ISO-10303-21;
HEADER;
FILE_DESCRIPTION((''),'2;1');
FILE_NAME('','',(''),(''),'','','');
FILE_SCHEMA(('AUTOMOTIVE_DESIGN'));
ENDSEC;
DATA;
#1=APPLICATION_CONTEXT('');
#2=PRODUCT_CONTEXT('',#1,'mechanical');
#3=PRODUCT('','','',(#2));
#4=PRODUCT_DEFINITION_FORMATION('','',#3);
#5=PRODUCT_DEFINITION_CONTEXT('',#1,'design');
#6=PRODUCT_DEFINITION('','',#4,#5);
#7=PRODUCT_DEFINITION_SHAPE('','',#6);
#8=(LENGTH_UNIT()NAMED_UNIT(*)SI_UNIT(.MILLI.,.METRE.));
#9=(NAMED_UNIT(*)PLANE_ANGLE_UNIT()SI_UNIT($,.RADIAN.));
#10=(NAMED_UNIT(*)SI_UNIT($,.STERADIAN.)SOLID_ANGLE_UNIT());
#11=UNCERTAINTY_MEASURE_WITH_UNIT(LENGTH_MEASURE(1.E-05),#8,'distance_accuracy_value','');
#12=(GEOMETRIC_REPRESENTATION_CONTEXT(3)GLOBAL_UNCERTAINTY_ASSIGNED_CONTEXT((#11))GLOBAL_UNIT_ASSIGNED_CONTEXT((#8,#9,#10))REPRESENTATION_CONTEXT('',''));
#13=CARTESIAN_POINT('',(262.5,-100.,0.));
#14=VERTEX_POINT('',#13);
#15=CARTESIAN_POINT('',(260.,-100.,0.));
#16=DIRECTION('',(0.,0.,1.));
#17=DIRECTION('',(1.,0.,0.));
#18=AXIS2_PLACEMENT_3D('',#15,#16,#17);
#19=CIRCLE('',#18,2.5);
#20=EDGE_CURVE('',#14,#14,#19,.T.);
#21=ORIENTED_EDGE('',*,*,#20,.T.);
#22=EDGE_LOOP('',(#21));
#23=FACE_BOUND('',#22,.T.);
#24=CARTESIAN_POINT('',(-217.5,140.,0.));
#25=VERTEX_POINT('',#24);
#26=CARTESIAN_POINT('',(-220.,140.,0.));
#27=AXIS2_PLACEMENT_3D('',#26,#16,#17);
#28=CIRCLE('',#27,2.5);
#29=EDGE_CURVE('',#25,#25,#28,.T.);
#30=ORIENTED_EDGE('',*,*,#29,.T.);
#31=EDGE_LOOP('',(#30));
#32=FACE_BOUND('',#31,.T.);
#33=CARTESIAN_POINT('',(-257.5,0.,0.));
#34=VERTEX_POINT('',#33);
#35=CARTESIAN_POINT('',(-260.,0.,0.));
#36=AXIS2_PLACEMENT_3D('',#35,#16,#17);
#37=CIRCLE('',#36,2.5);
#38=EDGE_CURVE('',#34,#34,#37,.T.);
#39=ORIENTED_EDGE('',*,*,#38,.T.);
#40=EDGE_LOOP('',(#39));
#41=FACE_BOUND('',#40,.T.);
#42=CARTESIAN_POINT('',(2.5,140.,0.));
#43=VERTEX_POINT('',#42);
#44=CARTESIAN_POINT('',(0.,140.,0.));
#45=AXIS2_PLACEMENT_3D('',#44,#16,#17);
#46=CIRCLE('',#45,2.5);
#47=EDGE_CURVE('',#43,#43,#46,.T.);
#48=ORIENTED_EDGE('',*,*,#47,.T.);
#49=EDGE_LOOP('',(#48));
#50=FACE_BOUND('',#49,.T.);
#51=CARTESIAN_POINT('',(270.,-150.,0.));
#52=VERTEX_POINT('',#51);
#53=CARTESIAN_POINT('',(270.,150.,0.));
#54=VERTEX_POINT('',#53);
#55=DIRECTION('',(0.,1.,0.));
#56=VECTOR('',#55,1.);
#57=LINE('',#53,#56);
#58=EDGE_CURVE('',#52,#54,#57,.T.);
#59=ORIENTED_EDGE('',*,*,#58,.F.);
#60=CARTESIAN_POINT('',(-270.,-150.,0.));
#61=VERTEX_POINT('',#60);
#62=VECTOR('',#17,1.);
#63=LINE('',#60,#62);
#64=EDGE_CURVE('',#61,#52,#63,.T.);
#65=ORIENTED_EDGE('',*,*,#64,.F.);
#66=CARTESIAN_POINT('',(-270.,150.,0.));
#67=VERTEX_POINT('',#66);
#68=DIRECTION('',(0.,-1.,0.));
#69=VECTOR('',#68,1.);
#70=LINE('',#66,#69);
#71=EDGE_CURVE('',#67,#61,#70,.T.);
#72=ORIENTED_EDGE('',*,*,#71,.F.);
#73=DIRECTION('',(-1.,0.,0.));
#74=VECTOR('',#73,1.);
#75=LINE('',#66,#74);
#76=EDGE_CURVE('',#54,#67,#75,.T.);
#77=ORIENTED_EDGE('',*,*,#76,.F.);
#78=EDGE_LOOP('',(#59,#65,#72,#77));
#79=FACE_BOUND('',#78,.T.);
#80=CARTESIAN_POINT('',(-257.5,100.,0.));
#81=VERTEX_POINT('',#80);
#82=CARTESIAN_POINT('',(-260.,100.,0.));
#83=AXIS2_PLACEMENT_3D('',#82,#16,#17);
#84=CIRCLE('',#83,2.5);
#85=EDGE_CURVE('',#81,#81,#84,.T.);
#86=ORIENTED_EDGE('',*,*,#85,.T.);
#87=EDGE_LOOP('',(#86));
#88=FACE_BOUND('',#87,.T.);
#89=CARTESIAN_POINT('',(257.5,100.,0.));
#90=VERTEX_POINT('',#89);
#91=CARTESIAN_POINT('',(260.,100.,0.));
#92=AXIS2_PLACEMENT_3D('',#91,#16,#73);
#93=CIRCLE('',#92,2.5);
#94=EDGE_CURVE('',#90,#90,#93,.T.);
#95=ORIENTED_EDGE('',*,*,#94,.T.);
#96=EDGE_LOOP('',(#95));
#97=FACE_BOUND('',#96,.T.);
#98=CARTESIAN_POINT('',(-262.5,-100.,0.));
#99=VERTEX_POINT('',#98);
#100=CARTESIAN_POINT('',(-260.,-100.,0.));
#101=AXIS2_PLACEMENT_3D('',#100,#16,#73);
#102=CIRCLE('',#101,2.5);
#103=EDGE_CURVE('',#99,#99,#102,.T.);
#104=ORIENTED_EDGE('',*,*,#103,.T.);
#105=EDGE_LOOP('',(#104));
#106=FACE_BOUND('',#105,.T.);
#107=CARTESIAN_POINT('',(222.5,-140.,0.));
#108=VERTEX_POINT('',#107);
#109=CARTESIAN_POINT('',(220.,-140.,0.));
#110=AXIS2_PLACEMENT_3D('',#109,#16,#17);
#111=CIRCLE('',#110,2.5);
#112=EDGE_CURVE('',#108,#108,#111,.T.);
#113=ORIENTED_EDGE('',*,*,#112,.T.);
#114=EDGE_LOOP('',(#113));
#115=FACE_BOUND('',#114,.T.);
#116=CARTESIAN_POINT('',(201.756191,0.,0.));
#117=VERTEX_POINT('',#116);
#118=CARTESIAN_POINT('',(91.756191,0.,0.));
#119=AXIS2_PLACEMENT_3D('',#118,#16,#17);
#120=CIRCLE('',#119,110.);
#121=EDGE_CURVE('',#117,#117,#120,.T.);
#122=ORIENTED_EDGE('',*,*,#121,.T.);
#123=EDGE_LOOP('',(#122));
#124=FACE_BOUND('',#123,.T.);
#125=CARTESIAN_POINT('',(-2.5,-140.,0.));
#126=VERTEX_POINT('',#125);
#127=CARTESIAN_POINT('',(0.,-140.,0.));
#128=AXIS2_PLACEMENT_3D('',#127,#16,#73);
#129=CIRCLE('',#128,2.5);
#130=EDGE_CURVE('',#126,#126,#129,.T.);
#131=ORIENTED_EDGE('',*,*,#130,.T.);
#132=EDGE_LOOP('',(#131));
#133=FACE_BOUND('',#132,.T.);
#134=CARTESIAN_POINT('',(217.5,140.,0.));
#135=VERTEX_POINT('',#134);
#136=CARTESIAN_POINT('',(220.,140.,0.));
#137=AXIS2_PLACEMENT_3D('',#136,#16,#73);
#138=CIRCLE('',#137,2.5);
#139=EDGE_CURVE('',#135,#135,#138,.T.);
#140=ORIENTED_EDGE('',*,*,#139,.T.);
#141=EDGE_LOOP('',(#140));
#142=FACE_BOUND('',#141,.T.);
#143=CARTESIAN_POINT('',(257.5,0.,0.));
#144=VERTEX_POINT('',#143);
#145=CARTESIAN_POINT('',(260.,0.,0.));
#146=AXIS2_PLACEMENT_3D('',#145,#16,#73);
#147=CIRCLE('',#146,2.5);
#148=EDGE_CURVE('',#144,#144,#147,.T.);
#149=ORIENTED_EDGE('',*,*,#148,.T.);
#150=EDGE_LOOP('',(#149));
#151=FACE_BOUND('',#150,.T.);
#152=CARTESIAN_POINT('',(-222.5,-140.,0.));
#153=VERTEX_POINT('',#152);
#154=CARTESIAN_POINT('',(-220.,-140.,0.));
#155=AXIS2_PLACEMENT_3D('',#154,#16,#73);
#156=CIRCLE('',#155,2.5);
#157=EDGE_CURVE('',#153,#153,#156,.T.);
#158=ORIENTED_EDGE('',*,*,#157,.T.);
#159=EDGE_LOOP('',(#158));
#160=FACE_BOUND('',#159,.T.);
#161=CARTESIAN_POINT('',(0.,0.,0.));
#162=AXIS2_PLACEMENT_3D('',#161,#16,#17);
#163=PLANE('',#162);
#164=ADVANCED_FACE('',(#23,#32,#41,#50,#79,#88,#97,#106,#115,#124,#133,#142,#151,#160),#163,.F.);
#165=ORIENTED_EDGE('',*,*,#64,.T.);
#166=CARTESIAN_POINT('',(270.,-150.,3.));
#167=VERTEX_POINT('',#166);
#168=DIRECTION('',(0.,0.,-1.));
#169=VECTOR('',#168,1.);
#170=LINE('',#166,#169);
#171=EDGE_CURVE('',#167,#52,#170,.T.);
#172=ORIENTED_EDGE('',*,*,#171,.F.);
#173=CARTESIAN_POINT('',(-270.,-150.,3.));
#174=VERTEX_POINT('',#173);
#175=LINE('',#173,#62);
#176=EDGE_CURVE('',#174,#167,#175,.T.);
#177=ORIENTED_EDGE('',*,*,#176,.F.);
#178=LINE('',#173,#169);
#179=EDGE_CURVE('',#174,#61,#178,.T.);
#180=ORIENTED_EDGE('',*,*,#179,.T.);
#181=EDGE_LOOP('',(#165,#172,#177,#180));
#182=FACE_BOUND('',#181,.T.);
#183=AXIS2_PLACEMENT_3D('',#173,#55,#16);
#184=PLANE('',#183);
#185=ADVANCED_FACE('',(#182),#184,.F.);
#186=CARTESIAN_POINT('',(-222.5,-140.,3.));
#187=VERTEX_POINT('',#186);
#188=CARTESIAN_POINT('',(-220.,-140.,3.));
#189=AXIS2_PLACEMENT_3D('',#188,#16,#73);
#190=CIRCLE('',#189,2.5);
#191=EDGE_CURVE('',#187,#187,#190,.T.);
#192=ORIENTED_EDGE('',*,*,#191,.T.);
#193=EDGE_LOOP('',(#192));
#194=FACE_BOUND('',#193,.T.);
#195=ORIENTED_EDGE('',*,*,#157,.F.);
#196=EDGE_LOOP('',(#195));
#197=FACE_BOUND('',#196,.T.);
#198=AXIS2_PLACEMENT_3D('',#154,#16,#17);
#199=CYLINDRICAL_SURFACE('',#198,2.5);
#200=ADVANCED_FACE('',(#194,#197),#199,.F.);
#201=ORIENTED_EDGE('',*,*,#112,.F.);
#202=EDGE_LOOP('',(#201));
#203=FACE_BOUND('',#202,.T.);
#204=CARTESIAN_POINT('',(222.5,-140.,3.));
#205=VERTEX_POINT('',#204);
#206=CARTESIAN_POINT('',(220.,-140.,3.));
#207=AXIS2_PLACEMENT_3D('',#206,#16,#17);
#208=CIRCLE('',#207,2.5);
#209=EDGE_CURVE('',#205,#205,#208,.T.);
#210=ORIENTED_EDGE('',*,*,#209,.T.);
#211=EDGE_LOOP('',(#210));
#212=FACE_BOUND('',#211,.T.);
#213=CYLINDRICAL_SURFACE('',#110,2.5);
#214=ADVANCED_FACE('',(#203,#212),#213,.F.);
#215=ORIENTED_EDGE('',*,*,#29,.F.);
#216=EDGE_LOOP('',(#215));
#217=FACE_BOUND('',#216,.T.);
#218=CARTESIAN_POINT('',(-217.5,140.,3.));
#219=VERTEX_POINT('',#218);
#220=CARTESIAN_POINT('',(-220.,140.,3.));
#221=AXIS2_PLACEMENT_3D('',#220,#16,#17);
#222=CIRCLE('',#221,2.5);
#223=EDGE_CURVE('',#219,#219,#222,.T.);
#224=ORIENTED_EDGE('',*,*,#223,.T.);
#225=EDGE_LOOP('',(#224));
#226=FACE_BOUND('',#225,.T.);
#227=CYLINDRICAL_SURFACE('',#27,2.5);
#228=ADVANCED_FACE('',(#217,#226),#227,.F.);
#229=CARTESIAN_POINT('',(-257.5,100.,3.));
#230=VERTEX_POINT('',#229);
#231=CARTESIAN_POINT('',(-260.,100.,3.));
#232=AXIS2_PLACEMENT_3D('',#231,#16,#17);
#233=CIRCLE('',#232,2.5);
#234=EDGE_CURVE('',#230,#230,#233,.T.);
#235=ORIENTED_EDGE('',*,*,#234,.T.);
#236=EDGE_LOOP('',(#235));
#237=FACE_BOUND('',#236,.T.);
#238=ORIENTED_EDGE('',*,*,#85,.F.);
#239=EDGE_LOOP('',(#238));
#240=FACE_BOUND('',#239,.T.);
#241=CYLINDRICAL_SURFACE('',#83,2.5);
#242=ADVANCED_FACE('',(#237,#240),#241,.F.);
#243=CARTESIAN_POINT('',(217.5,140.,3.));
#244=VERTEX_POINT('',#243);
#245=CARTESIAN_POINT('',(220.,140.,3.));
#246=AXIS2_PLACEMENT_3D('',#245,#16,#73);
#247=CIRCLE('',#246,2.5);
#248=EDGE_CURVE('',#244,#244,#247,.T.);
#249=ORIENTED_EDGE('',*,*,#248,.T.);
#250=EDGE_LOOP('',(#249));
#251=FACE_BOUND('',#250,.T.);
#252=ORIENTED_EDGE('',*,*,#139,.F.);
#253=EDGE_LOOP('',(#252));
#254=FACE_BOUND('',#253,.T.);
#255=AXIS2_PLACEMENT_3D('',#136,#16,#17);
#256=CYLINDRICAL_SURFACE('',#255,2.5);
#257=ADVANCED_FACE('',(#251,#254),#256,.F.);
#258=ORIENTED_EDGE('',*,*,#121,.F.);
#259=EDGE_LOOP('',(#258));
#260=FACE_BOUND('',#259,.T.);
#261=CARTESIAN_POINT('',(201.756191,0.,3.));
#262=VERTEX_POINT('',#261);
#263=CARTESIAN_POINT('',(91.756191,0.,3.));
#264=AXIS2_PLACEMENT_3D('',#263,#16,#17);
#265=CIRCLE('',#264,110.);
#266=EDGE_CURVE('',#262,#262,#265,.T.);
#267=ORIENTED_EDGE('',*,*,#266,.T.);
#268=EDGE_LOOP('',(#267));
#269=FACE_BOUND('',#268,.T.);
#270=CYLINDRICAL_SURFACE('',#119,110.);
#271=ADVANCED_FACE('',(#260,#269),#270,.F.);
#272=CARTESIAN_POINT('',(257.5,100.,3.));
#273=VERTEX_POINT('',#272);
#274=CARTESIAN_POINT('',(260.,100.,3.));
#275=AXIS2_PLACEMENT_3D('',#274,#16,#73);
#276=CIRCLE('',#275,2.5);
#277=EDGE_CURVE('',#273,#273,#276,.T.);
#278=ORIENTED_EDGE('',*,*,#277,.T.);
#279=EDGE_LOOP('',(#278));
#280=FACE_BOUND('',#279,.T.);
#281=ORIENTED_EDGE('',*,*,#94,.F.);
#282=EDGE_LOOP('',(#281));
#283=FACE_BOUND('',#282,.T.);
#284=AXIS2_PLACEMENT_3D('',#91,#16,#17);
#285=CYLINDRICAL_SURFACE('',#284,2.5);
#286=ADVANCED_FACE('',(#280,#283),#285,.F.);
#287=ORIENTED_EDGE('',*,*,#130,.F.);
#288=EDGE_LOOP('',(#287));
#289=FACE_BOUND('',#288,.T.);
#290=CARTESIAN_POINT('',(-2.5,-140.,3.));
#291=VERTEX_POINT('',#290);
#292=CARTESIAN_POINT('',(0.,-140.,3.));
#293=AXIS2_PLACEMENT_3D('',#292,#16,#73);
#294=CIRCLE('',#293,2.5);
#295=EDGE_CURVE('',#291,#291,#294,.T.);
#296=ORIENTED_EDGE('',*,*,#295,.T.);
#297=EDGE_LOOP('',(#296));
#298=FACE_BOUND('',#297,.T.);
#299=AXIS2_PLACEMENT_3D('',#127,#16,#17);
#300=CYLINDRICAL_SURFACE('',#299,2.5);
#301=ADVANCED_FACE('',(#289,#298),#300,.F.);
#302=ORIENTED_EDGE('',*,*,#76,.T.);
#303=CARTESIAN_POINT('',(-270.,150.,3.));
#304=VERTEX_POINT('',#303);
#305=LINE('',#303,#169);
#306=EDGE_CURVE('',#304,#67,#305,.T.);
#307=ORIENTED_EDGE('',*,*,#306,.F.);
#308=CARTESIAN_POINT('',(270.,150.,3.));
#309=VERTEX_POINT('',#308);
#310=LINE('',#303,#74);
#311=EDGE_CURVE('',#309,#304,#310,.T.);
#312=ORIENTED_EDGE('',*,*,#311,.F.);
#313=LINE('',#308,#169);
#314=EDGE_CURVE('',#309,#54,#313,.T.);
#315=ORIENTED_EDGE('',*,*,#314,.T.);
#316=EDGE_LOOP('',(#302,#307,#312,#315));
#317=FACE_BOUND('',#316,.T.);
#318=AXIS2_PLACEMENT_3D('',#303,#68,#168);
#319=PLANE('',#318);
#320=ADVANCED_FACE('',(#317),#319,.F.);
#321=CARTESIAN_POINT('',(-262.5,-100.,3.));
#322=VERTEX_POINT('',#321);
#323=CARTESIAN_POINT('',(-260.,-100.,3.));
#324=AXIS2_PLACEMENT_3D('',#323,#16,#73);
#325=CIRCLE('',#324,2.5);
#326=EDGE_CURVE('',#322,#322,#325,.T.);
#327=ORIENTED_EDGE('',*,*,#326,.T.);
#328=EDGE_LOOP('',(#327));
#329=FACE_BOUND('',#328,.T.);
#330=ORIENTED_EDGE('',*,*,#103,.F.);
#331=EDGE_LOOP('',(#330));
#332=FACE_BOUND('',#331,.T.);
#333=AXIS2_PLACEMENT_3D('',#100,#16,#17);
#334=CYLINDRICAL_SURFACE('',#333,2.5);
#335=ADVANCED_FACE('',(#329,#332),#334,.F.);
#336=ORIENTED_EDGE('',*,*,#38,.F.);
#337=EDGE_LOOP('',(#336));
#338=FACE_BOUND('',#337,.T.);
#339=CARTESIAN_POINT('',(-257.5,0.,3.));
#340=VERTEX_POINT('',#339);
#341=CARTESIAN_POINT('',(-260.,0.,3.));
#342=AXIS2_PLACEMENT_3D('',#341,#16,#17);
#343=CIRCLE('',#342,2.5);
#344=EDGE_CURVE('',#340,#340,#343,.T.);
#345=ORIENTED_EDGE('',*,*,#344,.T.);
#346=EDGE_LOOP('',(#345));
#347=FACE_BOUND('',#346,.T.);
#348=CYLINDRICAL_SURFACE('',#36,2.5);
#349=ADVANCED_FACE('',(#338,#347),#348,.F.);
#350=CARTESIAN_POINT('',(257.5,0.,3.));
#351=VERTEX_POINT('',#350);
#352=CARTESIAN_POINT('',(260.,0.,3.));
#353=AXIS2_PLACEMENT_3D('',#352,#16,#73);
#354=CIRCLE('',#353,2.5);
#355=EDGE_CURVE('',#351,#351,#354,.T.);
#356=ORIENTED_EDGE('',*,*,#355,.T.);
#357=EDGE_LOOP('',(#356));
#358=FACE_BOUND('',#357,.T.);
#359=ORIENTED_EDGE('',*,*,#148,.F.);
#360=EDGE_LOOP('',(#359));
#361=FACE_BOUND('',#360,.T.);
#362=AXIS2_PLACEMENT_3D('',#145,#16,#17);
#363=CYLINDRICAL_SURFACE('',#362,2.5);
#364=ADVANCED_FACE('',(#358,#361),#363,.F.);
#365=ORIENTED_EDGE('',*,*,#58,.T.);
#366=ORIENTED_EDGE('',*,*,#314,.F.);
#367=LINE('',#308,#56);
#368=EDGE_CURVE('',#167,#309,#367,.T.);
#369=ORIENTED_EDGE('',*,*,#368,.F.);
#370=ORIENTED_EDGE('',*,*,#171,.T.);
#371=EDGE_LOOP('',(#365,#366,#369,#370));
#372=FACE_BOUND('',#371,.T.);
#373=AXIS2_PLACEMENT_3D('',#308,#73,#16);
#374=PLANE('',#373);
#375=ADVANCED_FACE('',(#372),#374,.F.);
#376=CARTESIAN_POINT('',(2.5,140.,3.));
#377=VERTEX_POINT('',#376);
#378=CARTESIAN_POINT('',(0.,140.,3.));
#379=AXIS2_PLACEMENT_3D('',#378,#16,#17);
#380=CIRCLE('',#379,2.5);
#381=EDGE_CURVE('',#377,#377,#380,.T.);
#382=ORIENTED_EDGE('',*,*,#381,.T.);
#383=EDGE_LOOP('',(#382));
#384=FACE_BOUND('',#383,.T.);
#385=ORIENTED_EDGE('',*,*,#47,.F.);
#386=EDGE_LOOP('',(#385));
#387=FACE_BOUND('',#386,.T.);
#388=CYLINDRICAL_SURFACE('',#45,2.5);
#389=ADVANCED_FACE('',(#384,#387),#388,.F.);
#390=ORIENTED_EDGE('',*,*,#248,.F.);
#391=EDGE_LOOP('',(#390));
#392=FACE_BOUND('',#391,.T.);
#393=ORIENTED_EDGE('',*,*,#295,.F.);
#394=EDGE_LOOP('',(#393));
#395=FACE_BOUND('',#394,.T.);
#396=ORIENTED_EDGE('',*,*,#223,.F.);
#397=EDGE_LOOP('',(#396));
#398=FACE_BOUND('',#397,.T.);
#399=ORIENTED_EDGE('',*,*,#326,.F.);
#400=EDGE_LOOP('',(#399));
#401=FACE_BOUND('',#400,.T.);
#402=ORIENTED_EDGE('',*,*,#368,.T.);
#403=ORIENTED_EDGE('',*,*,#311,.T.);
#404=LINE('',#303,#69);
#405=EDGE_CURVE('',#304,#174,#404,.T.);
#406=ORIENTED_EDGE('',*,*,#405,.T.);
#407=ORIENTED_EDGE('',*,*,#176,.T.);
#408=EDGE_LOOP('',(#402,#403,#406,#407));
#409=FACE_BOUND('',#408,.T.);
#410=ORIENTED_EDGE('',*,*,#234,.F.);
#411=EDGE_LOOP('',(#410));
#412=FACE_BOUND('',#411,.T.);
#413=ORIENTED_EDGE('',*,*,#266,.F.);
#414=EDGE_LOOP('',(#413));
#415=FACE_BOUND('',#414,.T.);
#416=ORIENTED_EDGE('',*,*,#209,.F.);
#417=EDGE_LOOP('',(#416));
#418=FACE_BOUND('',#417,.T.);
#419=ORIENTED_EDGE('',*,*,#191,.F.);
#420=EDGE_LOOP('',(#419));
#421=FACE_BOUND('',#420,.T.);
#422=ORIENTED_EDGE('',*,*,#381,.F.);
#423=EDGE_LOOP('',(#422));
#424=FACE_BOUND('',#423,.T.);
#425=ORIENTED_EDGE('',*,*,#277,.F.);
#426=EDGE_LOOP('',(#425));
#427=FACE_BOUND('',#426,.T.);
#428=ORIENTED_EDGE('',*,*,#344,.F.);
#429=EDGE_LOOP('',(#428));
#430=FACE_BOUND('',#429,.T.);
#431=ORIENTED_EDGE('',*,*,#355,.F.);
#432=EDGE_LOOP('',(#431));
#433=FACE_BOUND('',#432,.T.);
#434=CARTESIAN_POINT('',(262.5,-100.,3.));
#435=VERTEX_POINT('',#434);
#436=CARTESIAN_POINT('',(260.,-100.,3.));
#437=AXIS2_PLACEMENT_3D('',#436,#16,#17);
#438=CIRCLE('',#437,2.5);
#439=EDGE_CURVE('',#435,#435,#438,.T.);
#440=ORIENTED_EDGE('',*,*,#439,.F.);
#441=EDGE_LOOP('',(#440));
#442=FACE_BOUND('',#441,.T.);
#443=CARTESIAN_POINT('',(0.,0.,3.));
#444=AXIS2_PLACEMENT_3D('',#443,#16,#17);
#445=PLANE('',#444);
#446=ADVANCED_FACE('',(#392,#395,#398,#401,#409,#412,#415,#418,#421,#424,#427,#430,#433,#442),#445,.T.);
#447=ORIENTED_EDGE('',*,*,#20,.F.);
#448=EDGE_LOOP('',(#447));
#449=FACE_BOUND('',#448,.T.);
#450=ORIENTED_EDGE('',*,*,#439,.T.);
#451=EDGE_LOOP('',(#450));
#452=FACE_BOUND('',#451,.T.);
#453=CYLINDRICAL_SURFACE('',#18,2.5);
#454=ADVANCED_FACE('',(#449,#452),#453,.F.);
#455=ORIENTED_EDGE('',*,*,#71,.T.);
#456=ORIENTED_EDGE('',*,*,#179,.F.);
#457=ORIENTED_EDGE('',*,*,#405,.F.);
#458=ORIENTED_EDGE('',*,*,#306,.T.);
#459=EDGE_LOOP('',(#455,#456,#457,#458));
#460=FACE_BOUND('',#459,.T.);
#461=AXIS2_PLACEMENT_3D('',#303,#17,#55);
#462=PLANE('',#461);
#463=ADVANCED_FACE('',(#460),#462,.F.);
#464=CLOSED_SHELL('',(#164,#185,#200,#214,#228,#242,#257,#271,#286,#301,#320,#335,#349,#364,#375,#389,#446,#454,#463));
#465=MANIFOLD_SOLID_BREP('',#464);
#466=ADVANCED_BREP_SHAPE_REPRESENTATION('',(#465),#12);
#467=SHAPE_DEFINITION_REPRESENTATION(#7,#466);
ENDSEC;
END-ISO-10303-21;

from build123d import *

# Parameters (mm, degrees)
CROQUIS1_W              = 540
CROQUIS1_H              = 300
SALIENTE_EXTRUIR1_DEPTH = 3
CROQUIS2_R              = 2.5
CORTAR_EXTRUIR1_DEPTH   = 4
CROQUIS3_R              = 110
CORTAR_EXTRUIR2_DEPTH   = 4


with BuildPart() as part:
    # Croquis1 → Saliente-Extruir1 (new body)
    with BuildSketch(Plane.XY):
        Rectangle(CROQUIS1_W, CROQUIS1_H)
    extrude(amount=SALIENTE_EXTRUIR1_DEPTH)

    # Croquis2 → Cortar-Extruir1 (cut, through all)
    with BuildSketch(Plane.XY.offset(3)):
        with Locations((0, 140)):
            Circle(CROQUIS2_R)
        with Locations((-220, 140)):
            Circle(CROQUIS2_R)
        with Locations((-260, 0)):
            Circle(CROQUIS2_R)
        with Locations((-260, 100)):
            Circle(CROQUIS2_R)
        with Locations((-260, -100)):
            Circle(CROQUIS2_R)
        with Locations((220, 140)):
            Circle(CROQUIS2_R)
        with Locations((260, -100)):
            Circle(CROQUIS2_R)
        with Locations((260, 0)):
            Circle(CROQUIS2_R)
        with Locations((260, 100)):
            Circle(CROQUIS2_R)
        with Locations((220, -140)):
            Circle(CROQUIS2_R)
        with Locations((0, -140)):
            Circle(CROQUIS2_R)
        with Locations((-220, -140)):
            Circle(CROQUIS2_R)
    extrude(amount=-CORTAR_EXTRUIR1_DEPTH, mode=Mode.SUBTRACT)

    # Croquis3 → Cortar-Extruir2 (cut, through all)
    with BuildSketch(Plane.XY.offset(3)):
        with Locations((91.756190819, 0)):
            Circle(CROQUIS3_R)
    extrude(amount=-CORTAR_EXTRUIR2_DEPTH, mode=Mode.SUBTRACT)


solid = part.part
